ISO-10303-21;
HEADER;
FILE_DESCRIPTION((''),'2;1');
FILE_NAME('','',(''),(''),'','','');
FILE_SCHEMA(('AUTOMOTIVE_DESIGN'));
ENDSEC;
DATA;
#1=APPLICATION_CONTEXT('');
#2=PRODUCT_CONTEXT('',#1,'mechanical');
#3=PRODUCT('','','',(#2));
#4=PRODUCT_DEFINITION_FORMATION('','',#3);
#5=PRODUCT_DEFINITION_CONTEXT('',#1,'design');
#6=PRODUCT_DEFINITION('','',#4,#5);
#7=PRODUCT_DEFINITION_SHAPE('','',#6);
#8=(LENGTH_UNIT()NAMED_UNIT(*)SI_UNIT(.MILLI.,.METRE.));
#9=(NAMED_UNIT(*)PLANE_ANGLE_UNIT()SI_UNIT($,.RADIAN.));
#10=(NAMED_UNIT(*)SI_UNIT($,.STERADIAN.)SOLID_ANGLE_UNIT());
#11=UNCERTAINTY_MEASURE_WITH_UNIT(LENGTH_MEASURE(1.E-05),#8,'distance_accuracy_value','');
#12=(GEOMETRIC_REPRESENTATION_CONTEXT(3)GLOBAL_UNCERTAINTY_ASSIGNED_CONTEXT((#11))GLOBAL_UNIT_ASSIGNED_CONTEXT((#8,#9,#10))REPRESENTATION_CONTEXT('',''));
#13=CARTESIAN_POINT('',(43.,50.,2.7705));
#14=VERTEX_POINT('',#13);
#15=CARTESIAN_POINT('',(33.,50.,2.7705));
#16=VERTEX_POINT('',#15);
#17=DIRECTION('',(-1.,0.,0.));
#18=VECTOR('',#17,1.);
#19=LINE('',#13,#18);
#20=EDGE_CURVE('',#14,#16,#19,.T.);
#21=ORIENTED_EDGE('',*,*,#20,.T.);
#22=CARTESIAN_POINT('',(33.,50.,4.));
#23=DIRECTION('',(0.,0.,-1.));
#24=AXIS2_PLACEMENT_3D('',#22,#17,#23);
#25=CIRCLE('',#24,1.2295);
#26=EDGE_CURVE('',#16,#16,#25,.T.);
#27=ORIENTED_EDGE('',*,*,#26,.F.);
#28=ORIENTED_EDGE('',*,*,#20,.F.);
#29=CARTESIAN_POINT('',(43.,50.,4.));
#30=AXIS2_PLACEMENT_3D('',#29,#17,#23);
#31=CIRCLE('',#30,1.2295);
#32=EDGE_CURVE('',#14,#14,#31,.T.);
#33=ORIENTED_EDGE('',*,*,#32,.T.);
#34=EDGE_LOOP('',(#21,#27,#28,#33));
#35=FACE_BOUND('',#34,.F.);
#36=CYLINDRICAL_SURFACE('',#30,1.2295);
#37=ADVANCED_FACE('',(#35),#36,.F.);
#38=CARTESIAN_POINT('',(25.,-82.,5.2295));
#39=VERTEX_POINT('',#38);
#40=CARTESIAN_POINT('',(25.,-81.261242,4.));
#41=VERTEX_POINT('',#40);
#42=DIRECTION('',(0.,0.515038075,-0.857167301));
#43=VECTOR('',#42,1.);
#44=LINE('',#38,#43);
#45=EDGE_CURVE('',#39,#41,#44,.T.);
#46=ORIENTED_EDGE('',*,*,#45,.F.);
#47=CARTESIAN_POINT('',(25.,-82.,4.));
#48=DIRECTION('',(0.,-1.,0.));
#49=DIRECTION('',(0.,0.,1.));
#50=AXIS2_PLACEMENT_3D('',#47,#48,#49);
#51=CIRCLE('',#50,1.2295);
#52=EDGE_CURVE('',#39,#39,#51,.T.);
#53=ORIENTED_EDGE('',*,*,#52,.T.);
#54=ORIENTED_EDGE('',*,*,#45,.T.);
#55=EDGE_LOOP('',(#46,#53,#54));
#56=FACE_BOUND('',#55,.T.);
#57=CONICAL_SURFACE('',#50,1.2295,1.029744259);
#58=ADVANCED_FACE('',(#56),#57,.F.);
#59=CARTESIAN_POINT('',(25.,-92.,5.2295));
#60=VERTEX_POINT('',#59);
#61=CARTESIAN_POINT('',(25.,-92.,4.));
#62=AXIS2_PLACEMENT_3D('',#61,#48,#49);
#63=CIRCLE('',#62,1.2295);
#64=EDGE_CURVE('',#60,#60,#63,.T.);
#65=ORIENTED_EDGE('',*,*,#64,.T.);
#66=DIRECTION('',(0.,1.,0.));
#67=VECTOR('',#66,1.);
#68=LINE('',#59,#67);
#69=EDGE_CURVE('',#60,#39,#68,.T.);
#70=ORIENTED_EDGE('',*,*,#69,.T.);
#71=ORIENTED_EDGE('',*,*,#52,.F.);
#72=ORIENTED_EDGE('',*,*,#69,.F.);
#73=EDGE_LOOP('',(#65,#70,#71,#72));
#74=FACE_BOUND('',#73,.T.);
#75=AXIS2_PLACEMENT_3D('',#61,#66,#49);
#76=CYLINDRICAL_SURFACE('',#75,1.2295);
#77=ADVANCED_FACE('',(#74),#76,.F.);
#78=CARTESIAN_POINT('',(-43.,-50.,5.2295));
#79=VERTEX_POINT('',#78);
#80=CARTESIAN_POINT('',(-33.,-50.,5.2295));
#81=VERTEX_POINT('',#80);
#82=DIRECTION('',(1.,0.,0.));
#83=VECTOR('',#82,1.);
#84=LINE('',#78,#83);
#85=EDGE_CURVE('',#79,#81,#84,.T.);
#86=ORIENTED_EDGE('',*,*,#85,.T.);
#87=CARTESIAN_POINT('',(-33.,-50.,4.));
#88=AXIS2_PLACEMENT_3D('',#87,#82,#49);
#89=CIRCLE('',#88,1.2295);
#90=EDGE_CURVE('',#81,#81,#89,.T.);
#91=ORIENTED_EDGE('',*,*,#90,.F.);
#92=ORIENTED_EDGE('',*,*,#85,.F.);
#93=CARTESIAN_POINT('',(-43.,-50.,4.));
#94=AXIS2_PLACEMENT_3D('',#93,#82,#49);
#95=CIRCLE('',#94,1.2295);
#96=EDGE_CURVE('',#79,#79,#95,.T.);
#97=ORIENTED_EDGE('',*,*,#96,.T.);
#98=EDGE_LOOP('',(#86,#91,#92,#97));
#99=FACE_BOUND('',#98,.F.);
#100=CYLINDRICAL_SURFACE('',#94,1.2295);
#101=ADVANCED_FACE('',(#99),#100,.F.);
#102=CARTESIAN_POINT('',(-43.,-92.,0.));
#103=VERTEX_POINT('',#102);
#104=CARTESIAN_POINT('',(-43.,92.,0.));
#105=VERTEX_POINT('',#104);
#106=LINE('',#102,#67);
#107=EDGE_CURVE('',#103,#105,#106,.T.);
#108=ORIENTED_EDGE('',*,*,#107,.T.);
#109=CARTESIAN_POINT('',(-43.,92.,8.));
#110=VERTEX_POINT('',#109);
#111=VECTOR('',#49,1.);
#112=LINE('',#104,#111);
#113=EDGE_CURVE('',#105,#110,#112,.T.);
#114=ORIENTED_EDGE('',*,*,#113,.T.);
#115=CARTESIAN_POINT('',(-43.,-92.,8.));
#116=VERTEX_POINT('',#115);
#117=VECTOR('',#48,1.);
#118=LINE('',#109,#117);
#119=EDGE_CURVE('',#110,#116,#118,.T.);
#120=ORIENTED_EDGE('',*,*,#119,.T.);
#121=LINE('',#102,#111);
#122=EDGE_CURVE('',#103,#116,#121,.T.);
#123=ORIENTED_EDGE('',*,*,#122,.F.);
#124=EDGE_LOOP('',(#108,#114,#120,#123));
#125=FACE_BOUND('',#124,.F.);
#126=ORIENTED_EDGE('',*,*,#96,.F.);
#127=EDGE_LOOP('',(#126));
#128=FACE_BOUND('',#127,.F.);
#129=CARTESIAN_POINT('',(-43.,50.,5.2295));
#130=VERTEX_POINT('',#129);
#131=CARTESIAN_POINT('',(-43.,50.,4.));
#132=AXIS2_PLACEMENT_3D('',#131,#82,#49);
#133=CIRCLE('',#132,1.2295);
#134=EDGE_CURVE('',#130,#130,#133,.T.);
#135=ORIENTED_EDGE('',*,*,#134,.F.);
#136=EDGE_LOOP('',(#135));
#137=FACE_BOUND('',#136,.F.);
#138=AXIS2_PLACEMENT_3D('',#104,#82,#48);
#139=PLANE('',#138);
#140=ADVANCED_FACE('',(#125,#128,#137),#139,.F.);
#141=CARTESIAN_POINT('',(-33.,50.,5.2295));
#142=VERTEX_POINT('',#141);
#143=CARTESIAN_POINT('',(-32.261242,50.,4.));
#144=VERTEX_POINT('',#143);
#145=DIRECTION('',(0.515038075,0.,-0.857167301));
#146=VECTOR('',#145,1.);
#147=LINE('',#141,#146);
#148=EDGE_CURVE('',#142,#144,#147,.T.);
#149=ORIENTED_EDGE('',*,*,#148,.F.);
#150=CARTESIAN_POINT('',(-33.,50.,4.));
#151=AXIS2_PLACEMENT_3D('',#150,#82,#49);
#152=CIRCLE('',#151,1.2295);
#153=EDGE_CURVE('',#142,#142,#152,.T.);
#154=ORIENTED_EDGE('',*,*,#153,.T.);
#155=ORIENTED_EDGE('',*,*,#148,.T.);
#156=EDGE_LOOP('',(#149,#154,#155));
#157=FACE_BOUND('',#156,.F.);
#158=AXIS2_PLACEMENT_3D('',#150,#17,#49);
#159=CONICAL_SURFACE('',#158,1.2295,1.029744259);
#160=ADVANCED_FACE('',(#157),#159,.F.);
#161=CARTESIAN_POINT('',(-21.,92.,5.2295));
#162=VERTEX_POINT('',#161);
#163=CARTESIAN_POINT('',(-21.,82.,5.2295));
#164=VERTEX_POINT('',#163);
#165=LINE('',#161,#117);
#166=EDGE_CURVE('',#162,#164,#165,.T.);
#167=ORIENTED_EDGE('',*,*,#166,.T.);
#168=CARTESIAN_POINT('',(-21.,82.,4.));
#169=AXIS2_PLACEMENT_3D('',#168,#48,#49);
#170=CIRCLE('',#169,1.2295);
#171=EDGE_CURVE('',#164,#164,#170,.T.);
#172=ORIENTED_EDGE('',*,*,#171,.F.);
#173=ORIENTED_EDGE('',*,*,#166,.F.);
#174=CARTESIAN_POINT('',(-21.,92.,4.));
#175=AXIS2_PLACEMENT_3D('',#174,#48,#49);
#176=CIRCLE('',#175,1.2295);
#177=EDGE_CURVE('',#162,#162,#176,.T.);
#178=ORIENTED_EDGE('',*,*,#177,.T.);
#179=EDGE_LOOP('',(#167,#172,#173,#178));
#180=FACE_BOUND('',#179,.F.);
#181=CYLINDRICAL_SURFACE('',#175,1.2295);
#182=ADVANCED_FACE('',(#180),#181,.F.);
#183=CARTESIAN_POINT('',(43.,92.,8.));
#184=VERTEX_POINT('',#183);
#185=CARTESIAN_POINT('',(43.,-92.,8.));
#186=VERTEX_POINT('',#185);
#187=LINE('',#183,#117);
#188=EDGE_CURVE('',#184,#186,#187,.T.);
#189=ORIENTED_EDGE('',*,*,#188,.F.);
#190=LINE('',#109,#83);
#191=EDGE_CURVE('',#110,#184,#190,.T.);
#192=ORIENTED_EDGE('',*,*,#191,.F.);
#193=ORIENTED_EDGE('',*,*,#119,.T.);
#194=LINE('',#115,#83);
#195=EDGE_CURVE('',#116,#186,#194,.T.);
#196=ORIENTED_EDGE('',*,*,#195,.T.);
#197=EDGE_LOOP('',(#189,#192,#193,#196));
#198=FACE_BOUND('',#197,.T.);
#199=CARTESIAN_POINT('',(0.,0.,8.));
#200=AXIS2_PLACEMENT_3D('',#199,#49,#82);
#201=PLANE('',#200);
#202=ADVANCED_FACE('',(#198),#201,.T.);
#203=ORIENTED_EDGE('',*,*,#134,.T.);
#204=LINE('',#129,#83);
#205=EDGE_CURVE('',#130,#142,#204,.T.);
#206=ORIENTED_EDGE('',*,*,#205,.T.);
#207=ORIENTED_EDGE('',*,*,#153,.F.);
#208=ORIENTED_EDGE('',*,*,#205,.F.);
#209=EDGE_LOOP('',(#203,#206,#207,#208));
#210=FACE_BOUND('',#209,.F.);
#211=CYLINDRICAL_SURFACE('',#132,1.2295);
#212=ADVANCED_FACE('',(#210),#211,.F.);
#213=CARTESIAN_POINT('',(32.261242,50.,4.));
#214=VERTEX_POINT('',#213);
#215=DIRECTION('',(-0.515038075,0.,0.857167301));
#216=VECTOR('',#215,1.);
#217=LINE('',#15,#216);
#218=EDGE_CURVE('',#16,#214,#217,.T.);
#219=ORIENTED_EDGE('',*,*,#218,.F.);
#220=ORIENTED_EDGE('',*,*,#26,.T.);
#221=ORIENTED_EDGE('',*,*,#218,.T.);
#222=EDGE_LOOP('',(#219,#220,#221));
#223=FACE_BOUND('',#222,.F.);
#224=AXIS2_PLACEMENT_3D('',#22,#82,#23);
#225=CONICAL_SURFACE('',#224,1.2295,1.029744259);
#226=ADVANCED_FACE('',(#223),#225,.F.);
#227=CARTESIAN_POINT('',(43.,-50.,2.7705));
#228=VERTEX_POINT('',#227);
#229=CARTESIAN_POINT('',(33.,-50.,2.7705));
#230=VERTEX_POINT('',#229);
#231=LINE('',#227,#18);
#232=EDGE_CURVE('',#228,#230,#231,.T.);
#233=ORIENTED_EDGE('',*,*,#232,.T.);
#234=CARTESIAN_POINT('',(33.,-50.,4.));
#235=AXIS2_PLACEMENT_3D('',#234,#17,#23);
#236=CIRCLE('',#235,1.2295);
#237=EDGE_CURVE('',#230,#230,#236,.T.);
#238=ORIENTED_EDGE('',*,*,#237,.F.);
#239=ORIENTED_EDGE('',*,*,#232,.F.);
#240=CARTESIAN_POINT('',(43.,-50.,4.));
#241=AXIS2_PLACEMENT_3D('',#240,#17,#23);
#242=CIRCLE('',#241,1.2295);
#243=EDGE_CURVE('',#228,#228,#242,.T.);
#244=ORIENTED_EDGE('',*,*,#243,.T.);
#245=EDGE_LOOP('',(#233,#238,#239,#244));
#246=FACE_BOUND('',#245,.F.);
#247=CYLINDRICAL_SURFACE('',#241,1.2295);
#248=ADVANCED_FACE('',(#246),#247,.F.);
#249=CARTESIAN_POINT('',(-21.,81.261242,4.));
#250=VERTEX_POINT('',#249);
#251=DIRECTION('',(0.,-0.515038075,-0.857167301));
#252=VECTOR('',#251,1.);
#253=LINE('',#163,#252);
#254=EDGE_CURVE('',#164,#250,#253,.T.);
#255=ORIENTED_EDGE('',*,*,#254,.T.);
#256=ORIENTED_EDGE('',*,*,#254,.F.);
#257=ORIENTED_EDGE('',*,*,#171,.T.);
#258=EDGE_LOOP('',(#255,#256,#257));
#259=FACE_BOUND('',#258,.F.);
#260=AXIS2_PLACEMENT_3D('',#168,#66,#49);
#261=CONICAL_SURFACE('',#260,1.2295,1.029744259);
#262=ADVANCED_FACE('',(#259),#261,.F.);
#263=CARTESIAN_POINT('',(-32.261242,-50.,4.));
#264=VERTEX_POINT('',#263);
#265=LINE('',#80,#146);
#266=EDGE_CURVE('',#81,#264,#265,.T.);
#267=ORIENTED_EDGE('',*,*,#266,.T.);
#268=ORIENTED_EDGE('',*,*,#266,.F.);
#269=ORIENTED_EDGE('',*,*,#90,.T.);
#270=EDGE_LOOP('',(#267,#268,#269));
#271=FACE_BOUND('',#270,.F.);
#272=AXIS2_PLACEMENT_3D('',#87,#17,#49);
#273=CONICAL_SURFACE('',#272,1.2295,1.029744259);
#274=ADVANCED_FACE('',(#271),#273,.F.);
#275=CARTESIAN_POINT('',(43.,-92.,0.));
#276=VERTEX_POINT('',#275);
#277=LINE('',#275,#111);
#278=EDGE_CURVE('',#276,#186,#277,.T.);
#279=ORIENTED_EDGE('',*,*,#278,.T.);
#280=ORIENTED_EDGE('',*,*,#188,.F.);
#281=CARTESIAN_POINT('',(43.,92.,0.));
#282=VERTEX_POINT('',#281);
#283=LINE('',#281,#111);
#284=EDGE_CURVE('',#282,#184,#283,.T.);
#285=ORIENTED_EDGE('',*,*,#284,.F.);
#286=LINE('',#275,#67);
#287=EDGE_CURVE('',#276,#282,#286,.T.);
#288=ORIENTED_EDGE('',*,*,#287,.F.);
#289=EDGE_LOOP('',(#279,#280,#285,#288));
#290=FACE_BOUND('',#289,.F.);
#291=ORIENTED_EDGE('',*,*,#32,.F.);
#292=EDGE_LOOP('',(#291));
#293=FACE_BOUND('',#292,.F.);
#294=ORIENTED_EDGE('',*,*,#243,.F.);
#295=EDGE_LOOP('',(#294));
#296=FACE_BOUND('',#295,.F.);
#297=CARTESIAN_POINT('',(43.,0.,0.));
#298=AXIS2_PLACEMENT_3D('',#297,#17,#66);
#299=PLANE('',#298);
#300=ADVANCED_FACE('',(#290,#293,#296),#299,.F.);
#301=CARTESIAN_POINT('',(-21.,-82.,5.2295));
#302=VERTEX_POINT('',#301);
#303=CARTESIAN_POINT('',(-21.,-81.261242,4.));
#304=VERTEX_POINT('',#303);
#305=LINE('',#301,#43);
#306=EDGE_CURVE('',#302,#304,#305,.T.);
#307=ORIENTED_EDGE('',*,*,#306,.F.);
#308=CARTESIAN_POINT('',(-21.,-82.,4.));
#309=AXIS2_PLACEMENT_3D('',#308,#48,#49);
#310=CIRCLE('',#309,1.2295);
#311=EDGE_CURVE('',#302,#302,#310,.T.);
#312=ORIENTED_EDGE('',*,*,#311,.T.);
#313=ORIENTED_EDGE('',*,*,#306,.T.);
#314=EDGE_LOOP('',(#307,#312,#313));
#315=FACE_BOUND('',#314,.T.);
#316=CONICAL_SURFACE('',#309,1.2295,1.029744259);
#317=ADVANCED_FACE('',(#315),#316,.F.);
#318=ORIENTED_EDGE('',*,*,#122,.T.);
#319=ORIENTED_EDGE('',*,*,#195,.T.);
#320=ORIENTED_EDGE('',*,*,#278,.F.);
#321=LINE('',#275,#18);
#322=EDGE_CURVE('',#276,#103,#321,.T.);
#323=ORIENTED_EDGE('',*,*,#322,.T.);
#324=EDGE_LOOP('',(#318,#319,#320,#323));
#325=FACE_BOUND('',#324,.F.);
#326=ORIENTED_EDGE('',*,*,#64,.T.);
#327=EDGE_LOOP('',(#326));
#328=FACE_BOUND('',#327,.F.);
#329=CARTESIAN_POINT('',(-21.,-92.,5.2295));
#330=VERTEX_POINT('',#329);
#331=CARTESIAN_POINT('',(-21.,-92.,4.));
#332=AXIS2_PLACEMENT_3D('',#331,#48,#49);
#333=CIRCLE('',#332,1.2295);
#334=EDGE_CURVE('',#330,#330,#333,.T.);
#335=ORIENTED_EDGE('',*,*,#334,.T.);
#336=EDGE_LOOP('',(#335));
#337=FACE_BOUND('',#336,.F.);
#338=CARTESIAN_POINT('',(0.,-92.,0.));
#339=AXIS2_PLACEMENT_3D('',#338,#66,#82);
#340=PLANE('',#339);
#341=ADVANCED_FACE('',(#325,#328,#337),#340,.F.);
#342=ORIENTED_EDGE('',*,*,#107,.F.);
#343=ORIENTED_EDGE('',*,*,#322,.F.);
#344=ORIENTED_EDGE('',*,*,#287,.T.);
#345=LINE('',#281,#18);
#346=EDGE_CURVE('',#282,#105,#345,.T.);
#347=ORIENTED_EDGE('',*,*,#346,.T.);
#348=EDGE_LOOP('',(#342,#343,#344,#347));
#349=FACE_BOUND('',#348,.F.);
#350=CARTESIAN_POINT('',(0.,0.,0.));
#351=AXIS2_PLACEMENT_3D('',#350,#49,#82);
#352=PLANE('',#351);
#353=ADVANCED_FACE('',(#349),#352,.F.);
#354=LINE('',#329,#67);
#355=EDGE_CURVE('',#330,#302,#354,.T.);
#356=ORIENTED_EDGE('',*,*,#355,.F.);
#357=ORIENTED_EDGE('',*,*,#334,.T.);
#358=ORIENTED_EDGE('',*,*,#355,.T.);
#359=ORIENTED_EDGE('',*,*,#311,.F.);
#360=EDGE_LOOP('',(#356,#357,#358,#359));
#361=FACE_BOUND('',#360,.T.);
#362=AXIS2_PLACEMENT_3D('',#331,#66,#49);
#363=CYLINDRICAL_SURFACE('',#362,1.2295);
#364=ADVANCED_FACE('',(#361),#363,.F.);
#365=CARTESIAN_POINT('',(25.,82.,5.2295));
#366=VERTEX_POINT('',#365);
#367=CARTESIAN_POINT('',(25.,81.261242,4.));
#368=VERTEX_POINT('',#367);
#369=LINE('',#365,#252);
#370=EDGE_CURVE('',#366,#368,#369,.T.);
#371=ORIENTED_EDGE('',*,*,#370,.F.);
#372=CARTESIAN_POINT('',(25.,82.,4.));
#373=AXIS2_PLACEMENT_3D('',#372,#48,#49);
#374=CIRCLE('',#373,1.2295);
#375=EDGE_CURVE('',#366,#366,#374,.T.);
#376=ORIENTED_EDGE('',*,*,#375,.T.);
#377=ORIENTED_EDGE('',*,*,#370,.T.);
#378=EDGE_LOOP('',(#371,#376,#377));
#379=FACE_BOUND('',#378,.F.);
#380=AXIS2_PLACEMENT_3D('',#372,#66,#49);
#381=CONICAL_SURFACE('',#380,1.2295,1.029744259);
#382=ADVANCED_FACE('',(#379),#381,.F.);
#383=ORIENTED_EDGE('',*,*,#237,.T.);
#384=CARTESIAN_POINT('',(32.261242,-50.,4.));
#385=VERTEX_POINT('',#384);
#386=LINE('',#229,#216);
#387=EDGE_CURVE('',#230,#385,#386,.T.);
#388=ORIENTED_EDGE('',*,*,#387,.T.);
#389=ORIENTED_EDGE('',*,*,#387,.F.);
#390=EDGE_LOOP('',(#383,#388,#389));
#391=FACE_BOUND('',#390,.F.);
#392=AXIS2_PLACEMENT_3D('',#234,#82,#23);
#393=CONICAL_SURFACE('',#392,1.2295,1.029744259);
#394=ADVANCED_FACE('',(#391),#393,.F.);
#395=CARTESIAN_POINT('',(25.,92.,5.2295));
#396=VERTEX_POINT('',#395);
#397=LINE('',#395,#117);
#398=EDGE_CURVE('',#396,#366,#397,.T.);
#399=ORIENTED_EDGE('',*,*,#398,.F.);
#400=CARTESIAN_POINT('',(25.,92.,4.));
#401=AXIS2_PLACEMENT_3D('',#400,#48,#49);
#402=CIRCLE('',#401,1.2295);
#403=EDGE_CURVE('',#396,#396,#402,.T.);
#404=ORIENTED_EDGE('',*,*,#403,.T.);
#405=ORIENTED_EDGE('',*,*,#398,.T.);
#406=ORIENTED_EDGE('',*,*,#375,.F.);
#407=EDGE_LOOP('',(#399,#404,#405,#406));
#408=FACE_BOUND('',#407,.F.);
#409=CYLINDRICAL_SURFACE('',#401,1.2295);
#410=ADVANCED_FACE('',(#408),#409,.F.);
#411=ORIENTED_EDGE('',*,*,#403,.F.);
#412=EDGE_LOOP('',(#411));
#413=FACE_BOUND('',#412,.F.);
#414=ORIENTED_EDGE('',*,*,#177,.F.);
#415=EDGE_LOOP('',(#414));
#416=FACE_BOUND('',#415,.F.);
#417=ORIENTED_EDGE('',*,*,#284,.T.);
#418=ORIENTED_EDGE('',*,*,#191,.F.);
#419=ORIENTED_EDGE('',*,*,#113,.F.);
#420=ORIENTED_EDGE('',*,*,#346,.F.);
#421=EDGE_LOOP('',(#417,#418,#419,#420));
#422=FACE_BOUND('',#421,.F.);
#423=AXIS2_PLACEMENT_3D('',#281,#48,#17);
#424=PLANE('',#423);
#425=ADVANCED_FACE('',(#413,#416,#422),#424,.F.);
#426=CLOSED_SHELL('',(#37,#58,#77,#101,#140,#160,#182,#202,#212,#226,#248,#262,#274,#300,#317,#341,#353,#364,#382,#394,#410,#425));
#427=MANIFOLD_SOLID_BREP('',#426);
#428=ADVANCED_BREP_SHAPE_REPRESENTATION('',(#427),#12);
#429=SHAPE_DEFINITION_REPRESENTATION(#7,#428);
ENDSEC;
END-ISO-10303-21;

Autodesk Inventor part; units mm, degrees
ref_plane "YZ Plane" through (0, 0, 0) normal (1, 0, 0) x (0, 1, 0)
ref_plane "XZ Plane" through (0, 0, 0) normal (0, 1, 0) x (-1, 0, 0)
ref_plane "XY Plane" through (0, 0, 0) normal (0, 0, 1) x (1, 0, 0)
sketch "Skizze1" plane through (0, 0, 0) normal (0, 0, 1) x (1, 0, 0)
  line L0 (0, 128.8) -> (0, -128.8) projected
  line L1 (-60.2, 0) -> (60.2, 0) projected
  line L2 (43, 92) -> (-43, 92)
  line L3 (-43, 92) -> (-43, -92)
  line L4 (-43, -92) -> (43, -92)
  line L5 (43, -92) -> (43, 92)
  point P0 (0, 0)
  point P1 (43, 0)
  point P2 (0, 92)
  dimension "d0" = 184
  dimension "d1" = 86
extrude "Extrusion1" add sketch "Skizze1" along normal blind 8
sketch "Skizze2" plane through (-43, -92, 0) normal (-1, 0, 0) x (0, 0, 1)
  circle A0 centre (-277.5, 142) radius 3.1 projected
  circle A1 centre (-52, 188) radius 3.1 projected
  circle A2 centre (-221.5, 188) radius 3.1 projected
  circle A3 centre (4, 142) radius 3.1 projected
  circle A4 centre (-277.5, 42) radius 3.1 projected
  circle A5 centre (4, 42) radius 3.1 projected
  circle A6 centre (-221.5, -4) radius 3.1 projected
  circle A7 centre (-52, -4) radius 3.1 projected
  line L0 (8, 192) -> (8, -8) projected
  line L1 (8, 192) -> (-281.5, 192) projected
  line L2 (-281.5, 192) -> (-281.5, 115) projected
  line L3 (-281.5, 115) -> (-333.5, 115) projected
  line L4 (-333.5, 115) -> (-333.5, 69) projected
  line L5 (-281.5, 69) -> (-333.5, 69) projected
  line L6 (-281.5, -8) -> (-281.5, 69) projected
  line L7 (8, -8) -> (-281.5, -8) projected
  point P0 (0, 92)
hole "Bohrung1" at (-43, 50, 4) at (-43, -50, 4) direction (1, 0, 0) diameter 2.459 depth 10 tip angle 118 thread size "M3x0.5" class "6H" standard "ISO Metric profile"
sketch "Skizze3" plane through (-43, 92, 0) normal (0, 1, 0) x (1, 0, 0)
  circle A0 centre (68, -4) radius 3.1 projected
  circle A1 centre (22, -4) radius 3.1 projected
  line L0 (0, -8) -> (0, 273.5) projected
  line L1 (86, -8) -> (0, -8) projected
  line L2 (86, 273.5) -> (86, -8) projected
  line L3 (0, 273.5) -> (86, 273.5) projected
  point P0 (43, 0)
hole "Bohrung2" at (-21, 92, 4) at (25, 92, 4) direction (0, -1, 0) diameter 2.459 depth 10 tip angle 118 thread size "M3x0.5" class "6H" standard "ISO Metric profile"
mirror "Spiegeln1" about plane through (0, 0, 0) normal (0, 1, 0) of "Bohrung2"
sketch "Skizze4" plane through (43, -92, 0) normal (1, 0, 0) x (0, 0, -1)
  circle A0 centre (-4, 142) radius 3.1 projected
  circle A1 centre (-4, 42) radius 3.1 projected
  point P0 (0, 92)
hole "Bohrung3" at (43, 50, 4) at (43, -50, 4) direction (-1, 0, 0) diameter 2.459 depth 10 tip angle 118 thread size "M3x0.5" class "6H" standard "ISO Metric profile"
properties part number "Wand5" material "Polycarbonate, Smoke"
